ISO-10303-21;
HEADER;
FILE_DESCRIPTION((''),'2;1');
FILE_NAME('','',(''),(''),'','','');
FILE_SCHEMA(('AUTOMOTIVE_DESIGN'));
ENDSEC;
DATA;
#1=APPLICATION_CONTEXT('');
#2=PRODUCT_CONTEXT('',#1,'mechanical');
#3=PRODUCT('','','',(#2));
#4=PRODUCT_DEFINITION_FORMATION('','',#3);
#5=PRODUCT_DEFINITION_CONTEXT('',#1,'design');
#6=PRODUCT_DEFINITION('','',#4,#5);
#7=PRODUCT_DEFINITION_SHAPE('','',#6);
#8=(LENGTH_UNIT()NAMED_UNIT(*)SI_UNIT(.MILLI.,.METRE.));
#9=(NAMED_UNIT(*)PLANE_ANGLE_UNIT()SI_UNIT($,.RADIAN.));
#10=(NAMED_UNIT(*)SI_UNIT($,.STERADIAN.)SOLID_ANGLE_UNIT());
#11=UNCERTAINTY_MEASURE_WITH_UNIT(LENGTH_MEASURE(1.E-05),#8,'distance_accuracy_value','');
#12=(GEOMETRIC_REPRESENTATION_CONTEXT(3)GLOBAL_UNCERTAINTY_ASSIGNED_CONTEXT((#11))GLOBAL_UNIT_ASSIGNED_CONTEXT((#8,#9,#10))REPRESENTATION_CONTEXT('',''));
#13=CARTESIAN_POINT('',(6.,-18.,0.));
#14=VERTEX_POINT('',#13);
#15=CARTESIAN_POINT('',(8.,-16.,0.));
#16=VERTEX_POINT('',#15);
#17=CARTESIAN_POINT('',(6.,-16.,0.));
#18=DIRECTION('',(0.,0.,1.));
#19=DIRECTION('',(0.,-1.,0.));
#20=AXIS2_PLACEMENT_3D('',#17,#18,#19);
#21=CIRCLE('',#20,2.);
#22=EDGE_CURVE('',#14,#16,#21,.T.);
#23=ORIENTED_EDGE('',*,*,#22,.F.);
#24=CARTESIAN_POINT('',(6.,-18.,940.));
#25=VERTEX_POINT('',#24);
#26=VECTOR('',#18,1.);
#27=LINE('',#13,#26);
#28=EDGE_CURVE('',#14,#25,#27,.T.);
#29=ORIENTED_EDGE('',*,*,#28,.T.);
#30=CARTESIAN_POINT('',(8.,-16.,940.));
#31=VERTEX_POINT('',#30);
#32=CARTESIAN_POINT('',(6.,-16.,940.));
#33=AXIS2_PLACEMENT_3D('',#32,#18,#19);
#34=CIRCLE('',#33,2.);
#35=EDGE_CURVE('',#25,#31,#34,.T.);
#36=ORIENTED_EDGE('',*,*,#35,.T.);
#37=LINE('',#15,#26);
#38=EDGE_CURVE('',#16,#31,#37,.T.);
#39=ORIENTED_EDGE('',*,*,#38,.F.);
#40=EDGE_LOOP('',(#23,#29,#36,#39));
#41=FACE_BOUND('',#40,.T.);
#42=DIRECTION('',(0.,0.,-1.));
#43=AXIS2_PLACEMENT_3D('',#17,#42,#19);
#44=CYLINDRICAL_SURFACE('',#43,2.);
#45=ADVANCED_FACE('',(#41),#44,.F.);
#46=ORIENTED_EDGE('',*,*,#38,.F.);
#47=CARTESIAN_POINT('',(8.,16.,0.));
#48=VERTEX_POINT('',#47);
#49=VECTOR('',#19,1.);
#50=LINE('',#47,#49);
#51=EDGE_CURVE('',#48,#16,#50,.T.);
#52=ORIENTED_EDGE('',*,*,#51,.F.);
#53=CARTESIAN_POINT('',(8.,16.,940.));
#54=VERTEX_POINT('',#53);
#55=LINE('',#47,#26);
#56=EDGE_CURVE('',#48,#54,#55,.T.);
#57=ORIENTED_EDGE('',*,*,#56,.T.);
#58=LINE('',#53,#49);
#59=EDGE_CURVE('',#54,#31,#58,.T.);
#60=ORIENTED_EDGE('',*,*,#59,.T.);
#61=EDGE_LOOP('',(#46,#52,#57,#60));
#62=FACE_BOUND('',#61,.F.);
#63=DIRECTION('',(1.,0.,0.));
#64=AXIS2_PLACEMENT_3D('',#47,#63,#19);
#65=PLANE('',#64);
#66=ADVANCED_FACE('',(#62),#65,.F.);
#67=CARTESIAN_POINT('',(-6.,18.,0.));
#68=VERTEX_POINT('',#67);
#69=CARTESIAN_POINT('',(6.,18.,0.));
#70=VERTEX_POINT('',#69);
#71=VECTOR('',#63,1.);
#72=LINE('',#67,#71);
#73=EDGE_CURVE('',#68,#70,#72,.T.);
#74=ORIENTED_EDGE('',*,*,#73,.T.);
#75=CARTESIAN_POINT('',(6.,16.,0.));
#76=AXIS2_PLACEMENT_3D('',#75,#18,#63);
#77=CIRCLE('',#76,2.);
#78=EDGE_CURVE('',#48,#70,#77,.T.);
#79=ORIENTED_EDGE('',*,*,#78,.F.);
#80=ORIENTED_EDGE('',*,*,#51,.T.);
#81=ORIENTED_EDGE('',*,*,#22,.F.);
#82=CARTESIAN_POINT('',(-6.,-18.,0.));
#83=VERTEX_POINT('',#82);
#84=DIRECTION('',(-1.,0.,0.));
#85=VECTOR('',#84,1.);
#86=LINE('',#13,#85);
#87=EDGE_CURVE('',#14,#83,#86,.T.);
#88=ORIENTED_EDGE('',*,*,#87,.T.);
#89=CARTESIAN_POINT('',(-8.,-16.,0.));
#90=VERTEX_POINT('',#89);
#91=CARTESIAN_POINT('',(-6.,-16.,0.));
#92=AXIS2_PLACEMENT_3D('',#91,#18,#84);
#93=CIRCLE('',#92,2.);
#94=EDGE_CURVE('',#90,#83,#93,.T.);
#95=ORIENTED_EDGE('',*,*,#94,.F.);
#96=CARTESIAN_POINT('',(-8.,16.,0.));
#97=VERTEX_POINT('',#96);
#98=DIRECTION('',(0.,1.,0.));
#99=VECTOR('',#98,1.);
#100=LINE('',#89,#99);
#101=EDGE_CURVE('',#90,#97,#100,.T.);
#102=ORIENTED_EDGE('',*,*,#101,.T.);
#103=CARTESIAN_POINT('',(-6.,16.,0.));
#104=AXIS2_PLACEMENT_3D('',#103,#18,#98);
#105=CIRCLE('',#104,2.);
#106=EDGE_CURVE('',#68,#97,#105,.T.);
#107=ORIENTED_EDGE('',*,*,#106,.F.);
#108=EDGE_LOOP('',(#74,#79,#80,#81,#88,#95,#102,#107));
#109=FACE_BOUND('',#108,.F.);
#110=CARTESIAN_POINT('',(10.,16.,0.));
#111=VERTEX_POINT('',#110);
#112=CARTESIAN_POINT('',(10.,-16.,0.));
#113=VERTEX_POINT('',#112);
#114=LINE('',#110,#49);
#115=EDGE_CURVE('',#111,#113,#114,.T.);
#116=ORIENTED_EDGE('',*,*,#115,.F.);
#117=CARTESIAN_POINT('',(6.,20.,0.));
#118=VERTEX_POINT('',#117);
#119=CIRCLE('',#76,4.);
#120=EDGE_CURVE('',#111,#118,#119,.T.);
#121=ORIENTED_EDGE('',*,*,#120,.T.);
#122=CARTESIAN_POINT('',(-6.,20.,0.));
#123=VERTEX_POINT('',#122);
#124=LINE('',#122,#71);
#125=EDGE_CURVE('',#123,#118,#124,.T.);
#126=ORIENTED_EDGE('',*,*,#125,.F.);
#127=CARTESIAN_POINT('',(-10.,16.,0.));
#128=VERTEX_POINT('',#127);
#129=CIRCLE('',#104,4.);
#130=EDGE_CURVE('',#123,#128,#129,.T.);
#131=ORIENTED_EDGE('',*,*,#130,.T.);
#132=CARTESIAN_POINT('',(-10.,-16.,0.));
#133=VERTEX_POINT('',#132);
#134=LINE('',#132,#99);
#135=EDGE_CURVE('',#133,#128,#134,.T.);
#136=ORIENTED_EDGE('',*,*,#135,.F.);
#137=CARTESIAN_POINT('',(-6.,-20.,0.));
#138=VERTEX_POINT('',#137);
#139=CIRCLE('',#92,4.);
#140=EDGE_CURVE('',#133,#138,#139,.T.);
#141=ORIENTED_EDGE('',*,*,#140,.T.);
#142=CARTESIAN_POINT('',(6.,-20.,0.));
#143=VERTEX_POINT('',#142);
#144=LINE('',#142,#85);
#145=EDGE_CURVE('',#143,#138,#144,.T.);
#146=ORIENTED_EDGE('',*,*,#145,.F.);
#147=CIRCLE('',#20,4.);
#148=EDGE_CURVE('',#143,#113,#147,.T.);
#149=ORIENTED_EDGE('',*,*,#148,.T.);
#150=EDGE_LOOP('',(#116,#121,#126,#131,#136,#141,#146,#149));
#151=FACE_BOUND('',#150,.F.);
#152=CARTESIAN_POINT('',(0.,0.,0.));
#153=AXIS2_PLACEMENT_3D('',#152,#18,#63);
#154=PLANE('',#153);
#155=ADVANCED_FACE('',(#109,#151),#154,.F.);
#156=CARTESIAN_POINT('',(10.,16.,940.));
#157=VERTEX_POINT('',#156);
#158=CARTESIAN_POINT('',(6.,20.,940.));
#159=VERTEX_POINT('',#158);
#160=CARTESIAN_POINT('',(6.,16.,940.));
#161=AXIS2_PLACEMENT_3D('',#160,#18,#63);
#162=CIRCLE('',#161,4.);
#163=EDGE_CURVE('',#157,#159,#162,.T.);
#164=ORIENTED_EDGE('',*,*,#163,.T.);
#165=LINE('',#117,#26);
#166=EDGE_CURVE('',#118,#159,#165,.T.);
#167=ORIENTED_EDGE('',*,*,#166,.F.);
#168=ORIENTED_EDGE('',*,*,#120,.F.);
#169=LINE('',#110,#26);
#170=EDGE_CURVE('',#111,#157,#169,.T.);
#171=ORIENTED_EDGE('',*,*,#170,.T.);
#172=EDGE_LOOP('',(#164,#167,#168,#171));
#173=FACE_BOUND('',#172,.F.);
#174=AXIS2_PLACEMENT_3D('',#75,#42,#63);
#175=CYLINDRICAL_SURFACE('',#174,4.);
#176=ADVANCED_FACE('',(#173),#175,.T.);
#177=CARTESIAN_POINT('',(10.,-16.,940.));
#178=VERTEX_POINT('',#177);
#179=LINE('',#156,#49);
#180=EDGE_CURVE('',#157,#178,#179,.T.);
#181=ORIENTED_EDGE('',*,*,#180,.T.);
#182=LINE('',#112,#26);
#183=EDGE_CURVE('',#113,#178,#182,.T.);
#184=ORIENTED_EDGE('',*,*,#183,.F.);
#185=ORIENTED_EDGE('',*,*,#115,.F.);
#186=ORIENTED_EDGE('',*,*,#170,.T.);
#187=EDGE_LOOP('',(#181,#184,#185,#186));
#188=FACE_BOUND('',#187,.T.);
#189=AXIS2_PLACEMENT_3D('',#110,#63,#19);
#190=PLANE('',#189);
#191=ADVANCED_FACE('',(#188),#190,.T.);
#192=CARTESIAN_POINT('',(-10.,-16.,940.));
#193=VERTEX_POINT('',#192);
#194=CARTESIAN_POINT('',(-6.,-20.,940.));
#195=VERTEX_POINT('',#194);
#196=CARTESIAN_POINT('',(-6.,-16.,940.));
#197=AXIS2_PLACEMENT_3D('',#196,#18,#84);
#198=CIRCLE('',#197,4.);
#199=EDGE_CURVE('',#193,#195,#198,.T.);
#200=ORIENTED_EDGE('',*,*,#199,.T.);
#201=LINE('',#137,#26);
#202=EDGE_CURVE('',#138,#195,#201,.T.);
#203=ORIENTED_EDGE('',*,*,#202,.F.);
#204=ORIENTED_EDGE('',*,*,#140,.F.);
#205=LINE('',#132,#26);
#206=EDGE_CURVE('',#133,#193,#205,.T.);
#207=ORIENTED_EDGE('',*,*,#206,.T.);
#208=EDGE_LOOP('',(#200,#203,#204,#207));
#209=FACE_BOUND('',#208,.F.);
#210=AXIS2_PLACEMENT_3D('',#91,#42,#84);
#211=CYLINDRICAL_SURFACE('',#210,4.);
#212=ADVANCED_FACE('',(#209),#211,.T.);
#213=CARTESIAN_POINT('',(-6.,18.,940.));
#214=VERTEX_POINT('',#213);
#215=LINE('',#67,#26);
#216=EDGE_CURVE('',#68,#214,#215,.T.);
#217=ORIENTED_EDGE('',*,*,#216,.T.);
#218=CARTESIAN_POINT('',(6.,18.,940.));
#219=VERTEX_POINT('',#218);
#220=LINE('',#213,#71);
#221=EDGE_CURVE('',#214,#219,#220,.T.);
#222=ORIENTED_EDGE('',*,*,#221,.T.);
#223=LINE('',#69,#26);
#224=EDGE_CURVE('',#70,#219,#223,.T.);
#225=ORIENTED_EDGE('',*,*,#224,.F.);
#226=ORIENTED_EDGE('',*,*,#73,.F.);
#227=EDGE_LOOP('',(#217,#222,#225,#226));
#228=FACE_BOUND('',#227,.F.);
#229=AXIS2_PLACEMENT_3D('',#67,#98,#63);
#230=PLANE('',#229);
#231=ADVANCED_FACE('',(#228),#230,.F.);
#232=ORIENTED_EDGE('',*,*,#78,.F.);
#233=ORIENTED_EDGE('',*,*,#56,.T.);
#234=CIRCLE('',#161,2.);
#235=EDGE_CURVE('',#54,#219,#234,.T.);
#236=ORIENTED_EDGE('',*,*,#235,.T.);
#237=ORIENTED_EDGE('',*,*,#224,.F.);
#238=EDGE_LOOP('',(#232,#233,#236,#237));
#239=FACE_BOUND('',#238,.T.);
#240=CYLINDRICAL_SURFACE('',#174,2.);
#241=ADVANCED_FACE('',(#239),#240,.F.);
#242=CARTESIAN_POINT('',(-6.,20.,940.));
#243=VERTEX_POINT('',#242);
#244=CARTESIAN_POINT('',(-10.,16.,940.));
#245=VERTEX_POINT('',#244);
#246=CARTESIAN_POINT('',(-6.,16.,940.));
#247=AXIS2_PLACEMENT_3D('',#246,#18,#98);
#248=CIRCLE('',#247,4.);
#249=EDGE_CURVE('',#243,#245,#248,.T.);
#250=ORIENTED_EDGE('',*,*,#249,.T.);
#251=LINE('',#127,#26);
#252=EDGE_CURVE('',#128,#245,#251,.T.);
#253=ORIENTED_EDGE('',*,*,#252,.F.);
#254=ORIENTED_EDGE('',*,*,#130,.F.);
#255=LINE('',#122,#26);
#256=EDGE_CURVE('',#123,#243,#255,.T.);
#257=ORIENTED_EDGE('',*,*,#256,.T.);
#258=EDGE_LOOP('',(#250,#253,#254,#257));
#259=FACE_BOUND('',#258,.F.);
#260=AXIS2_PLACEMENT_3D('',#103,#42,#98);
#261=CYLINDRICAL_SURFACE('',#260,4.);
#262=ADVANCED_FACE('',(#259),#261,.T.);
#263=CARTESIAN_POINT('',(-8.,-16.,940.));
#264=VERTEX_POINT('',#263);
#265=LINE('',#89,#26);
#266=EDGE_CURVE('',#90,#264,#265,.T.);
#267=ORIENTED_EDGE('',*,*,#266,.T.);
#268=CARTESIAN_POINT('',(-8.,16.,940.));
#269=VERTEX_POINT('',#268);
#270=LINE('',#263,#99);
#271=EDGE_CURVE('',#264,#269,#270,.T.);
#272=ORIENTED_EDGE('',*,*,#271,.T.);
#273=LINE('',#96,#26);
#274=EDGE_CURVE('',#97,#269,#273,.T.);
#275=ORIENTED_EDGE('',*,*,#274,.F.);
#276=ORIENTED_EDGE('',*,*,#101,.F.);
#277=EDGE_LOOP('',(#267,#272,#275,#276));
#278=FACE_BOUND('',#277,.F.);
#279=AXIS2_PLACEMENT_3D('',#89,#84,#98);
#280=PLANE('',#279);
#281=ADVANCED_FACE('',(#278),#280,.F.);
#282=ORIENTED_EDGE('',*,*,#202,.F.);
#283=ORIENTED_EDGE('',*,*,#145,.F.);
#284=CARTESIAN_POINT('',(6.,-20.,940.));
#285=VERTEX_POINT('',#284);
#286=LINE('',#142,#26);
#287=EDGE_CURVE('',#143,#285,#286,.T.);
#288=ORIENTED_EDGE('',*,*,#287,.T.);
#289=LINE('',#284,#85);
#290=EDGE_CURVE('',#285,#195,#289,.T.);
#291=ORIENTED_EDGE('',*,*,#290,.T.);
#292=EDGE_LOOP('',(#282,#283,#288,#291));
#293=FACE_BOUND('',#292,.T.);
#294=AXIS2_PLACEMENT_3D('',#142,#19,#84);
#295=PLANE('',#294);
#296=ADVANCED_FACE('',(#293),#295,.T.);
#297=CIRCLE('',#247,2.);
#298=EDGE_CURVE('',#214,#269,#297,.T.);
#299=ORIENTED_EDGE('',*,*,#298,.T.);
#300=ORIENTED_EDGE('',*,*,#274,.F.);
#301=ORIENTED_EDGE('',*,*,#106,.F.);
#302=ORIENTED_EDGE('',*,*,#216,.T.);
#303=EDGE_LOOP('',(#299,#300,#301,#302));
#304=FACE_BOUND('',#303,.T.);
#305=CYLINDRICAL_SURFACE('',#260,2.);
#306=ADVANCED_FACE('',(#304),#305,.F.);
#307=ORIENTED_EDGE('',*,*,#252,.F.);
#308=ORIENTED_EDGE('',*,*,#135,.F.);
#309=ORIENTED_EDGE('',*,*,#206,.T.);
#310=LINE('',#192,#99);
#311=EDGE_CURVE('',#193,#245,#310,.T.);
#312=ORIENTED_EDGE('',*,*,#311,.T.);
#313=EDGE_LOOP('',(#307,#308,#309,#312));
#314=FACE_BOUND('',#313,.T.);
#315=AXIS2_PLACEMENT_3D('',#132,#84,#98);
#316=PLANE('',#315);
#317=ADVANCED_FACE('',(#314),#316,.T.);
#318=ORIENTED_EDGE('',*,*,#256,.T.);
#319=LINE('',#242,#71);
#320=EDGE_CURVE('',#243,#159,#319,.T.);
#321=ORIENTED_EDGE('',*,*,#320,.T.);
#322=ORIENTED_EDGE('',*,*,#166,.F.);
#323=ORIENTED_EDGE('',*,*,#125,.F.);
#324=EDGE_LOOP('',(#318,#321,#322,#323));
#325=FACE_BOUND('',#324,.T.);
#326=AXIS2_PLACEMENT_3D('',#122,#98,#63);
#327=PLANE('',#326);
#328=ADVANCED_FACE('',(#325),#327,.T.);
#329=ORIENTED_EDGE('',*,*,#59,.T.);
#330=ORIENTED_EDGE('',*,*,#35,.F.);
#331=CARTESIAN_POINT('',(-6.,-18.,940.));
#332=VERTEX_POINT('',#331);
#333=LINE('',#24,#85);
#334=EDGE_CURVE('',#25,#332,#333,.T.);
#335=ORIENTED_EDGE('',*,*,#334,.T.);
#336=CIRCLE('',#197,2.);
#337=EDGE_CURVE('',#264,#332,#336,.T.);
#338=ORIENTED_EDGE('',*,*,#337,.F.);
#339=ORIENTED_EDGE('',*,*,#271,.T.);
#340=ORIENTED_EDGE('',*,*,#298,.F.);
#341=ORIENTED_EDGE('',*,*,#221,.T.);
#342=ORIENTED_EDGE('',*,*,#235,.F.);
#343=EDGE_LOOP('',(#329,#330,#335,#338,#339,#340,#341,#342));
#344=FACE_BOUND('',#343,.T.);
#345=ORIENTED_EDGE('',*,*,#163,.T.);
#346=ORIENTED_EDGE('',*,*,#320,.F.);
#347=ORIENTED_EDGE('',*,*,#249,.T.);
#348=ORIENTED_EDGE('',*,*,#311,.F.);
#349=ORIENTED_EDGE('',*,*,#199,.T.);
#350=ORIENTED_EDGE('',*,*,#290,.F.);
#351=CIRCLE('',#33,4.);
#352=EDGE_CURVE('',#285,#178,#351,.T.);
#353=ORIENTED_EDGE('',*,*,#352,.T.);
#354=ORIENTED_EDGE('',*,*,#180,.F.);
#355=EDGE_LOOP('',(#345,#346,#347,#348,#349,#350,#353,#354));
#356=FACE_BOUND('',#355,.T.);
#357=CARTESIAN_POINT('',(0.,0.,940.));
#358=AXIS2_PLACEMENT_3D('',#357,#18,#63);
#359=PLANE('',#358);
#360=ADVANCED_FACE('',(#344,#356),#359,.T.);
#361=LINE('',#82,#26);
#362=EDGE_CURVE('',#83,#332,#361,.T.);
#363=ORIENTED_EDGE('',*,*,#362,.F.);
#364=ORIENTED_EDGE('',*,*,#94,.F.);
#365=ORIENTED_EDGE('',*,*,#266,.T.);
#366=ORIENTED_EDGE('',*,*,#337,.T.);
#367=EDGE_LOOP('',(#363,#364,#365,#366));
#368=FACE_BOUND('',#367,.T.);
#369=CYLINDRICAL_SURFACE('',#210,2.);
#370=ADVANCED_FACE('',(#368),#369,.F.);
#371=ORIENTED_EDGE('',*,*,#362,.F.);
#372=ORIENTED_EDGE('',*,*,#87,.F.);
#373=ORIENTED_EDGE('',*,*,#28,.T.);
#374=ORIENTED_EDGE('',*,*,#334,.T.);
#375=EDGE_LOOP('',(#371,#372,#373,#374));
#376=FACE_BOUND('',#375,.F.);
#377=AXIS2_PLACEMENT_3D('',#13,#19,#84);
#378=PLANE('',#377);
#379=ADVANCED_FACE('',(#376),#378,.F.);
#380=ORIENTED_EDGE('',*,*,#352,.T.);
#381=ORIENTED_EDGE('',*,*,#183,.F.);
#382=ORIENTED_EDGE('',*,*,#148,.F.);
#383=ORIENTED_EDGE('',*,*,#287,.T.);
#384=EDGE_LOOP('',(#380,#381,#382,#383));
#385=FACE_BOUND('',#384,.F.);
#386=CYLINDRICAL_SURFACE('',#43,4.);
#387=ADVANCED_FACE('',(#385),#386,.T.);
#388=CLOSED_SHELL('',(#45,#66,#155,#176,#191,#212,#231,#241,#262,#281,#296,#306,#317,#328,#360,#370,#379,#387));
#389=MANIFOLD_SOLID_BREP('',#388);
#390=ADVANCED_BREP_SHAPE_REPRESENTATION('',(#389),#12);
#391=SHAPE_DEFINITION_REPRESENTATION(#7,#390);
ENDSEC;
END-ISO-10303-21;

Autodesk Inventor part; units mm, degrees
ref_plane "YZ Plane" through (0, 0, 0) normal (1, 0, 0) x (0, 1, 0)
ref_plane "Start Plane" through (0, 0, 0) normal (0, 0, 1) x (1, 0, 0)
ref_plane "End Plane" through (0, 0, 940) normal (0, 0, 1) x (1, 0, 0)
sketch "Sketch" plane through (0, 0, 0) normal (0, 0, 1) x (1, 0, 0)
  line L0 (-10, -16) -> (-10, 16)
  line L1 (-6, 20) -> (6, 20)
  line L2 (10, 16) -> (10, -16)
  line L3 (6, -20) -> (-6, -20)
  arc A0 (-10, -16) -> (-6, -20) centre (-6, -16) ccw
  arc A1 (10, 16) -> (6, 20) centre (6, 16) ccw
  arc A2 (-6, 20) -> (-10, 16) centre (-6, 16) ccw
  arc A3 (6, -20) -> (10, -16) centre (6, -16) ccw
  arc A4 (-6, 18) -> (-8, 16) centre (-6, 16) ccw
  line L4 (-6, 18) -> (6, 18)
  arc A5 (8, 16) -> (6, 18) centre (6, 16) ccw
  line L5 (8, 16) -> (8, -16)
  arc A6 (6, -18) -> (8, -16) centre (6, -16) ccw
  line L6 (6, -18) -> (-6, -18)
  arc A7 (-8, -16) -> (-6, -18) centre (-6, -16) ccw
  line L7 (-8, -16) -> (-8, 16)
  line L8 (0, 29.1598) -> (0, -29.1598) construction
  line L9 (-15.1598, 0) -> (15.1598, 0) construction
  dimension "d7" = 4
  dimension "d9" = 20
  dimension "d11" = 40
  dimension "d12" = 2
  dimension "d15" = 10
  dimension "d16" = 20
extrude "Body" add sketch "Sketch" along normal up to surface (940 mm away) from surface at 0
sketch "Sketch3" plane through (0, 0, 0) normal (0, 0, 1) x (1, 0, 0)
  line L0 (0, 0) -> (10, 0)
ref_plane "Work Plane3" through (0, 0, 0) normal (0, -1, 0) x (1, 0, 0)
sketch "Sketch4" plane through (0, 0, 0) normal (0, -1, 0) x (1, 0, 0)
  line L0 (-2, 0) -> (12, 0)
  line L1 (-2, 940) -> (12, 940)
  dimension "d18" = 940
equation "\"d7\" = G_IR"
equation "\"d9\" = G_W"
equation "\"d11\" = G_H"
equation "\"d12\" = G_T"
equation "\"d15\" = 0.5 * d9"
equation "\"d16\" = 0.5 * d11"
equation "\"d3\" = G_L"
equation "\"G_W\" = 20"
equation "\"G_H\" = 40"
equation "\"G_T\" = 2"
equation "\"G_IR\" = 4"
equation "\"G_L\" = d18"
equation "\"G_OFFSET_START\" = 0"
equation "\"G_OFFSET_END\" = 0"
properties part number "ISO 10799-2 - 40x20x2 - 940" material "Steel, Mild"
